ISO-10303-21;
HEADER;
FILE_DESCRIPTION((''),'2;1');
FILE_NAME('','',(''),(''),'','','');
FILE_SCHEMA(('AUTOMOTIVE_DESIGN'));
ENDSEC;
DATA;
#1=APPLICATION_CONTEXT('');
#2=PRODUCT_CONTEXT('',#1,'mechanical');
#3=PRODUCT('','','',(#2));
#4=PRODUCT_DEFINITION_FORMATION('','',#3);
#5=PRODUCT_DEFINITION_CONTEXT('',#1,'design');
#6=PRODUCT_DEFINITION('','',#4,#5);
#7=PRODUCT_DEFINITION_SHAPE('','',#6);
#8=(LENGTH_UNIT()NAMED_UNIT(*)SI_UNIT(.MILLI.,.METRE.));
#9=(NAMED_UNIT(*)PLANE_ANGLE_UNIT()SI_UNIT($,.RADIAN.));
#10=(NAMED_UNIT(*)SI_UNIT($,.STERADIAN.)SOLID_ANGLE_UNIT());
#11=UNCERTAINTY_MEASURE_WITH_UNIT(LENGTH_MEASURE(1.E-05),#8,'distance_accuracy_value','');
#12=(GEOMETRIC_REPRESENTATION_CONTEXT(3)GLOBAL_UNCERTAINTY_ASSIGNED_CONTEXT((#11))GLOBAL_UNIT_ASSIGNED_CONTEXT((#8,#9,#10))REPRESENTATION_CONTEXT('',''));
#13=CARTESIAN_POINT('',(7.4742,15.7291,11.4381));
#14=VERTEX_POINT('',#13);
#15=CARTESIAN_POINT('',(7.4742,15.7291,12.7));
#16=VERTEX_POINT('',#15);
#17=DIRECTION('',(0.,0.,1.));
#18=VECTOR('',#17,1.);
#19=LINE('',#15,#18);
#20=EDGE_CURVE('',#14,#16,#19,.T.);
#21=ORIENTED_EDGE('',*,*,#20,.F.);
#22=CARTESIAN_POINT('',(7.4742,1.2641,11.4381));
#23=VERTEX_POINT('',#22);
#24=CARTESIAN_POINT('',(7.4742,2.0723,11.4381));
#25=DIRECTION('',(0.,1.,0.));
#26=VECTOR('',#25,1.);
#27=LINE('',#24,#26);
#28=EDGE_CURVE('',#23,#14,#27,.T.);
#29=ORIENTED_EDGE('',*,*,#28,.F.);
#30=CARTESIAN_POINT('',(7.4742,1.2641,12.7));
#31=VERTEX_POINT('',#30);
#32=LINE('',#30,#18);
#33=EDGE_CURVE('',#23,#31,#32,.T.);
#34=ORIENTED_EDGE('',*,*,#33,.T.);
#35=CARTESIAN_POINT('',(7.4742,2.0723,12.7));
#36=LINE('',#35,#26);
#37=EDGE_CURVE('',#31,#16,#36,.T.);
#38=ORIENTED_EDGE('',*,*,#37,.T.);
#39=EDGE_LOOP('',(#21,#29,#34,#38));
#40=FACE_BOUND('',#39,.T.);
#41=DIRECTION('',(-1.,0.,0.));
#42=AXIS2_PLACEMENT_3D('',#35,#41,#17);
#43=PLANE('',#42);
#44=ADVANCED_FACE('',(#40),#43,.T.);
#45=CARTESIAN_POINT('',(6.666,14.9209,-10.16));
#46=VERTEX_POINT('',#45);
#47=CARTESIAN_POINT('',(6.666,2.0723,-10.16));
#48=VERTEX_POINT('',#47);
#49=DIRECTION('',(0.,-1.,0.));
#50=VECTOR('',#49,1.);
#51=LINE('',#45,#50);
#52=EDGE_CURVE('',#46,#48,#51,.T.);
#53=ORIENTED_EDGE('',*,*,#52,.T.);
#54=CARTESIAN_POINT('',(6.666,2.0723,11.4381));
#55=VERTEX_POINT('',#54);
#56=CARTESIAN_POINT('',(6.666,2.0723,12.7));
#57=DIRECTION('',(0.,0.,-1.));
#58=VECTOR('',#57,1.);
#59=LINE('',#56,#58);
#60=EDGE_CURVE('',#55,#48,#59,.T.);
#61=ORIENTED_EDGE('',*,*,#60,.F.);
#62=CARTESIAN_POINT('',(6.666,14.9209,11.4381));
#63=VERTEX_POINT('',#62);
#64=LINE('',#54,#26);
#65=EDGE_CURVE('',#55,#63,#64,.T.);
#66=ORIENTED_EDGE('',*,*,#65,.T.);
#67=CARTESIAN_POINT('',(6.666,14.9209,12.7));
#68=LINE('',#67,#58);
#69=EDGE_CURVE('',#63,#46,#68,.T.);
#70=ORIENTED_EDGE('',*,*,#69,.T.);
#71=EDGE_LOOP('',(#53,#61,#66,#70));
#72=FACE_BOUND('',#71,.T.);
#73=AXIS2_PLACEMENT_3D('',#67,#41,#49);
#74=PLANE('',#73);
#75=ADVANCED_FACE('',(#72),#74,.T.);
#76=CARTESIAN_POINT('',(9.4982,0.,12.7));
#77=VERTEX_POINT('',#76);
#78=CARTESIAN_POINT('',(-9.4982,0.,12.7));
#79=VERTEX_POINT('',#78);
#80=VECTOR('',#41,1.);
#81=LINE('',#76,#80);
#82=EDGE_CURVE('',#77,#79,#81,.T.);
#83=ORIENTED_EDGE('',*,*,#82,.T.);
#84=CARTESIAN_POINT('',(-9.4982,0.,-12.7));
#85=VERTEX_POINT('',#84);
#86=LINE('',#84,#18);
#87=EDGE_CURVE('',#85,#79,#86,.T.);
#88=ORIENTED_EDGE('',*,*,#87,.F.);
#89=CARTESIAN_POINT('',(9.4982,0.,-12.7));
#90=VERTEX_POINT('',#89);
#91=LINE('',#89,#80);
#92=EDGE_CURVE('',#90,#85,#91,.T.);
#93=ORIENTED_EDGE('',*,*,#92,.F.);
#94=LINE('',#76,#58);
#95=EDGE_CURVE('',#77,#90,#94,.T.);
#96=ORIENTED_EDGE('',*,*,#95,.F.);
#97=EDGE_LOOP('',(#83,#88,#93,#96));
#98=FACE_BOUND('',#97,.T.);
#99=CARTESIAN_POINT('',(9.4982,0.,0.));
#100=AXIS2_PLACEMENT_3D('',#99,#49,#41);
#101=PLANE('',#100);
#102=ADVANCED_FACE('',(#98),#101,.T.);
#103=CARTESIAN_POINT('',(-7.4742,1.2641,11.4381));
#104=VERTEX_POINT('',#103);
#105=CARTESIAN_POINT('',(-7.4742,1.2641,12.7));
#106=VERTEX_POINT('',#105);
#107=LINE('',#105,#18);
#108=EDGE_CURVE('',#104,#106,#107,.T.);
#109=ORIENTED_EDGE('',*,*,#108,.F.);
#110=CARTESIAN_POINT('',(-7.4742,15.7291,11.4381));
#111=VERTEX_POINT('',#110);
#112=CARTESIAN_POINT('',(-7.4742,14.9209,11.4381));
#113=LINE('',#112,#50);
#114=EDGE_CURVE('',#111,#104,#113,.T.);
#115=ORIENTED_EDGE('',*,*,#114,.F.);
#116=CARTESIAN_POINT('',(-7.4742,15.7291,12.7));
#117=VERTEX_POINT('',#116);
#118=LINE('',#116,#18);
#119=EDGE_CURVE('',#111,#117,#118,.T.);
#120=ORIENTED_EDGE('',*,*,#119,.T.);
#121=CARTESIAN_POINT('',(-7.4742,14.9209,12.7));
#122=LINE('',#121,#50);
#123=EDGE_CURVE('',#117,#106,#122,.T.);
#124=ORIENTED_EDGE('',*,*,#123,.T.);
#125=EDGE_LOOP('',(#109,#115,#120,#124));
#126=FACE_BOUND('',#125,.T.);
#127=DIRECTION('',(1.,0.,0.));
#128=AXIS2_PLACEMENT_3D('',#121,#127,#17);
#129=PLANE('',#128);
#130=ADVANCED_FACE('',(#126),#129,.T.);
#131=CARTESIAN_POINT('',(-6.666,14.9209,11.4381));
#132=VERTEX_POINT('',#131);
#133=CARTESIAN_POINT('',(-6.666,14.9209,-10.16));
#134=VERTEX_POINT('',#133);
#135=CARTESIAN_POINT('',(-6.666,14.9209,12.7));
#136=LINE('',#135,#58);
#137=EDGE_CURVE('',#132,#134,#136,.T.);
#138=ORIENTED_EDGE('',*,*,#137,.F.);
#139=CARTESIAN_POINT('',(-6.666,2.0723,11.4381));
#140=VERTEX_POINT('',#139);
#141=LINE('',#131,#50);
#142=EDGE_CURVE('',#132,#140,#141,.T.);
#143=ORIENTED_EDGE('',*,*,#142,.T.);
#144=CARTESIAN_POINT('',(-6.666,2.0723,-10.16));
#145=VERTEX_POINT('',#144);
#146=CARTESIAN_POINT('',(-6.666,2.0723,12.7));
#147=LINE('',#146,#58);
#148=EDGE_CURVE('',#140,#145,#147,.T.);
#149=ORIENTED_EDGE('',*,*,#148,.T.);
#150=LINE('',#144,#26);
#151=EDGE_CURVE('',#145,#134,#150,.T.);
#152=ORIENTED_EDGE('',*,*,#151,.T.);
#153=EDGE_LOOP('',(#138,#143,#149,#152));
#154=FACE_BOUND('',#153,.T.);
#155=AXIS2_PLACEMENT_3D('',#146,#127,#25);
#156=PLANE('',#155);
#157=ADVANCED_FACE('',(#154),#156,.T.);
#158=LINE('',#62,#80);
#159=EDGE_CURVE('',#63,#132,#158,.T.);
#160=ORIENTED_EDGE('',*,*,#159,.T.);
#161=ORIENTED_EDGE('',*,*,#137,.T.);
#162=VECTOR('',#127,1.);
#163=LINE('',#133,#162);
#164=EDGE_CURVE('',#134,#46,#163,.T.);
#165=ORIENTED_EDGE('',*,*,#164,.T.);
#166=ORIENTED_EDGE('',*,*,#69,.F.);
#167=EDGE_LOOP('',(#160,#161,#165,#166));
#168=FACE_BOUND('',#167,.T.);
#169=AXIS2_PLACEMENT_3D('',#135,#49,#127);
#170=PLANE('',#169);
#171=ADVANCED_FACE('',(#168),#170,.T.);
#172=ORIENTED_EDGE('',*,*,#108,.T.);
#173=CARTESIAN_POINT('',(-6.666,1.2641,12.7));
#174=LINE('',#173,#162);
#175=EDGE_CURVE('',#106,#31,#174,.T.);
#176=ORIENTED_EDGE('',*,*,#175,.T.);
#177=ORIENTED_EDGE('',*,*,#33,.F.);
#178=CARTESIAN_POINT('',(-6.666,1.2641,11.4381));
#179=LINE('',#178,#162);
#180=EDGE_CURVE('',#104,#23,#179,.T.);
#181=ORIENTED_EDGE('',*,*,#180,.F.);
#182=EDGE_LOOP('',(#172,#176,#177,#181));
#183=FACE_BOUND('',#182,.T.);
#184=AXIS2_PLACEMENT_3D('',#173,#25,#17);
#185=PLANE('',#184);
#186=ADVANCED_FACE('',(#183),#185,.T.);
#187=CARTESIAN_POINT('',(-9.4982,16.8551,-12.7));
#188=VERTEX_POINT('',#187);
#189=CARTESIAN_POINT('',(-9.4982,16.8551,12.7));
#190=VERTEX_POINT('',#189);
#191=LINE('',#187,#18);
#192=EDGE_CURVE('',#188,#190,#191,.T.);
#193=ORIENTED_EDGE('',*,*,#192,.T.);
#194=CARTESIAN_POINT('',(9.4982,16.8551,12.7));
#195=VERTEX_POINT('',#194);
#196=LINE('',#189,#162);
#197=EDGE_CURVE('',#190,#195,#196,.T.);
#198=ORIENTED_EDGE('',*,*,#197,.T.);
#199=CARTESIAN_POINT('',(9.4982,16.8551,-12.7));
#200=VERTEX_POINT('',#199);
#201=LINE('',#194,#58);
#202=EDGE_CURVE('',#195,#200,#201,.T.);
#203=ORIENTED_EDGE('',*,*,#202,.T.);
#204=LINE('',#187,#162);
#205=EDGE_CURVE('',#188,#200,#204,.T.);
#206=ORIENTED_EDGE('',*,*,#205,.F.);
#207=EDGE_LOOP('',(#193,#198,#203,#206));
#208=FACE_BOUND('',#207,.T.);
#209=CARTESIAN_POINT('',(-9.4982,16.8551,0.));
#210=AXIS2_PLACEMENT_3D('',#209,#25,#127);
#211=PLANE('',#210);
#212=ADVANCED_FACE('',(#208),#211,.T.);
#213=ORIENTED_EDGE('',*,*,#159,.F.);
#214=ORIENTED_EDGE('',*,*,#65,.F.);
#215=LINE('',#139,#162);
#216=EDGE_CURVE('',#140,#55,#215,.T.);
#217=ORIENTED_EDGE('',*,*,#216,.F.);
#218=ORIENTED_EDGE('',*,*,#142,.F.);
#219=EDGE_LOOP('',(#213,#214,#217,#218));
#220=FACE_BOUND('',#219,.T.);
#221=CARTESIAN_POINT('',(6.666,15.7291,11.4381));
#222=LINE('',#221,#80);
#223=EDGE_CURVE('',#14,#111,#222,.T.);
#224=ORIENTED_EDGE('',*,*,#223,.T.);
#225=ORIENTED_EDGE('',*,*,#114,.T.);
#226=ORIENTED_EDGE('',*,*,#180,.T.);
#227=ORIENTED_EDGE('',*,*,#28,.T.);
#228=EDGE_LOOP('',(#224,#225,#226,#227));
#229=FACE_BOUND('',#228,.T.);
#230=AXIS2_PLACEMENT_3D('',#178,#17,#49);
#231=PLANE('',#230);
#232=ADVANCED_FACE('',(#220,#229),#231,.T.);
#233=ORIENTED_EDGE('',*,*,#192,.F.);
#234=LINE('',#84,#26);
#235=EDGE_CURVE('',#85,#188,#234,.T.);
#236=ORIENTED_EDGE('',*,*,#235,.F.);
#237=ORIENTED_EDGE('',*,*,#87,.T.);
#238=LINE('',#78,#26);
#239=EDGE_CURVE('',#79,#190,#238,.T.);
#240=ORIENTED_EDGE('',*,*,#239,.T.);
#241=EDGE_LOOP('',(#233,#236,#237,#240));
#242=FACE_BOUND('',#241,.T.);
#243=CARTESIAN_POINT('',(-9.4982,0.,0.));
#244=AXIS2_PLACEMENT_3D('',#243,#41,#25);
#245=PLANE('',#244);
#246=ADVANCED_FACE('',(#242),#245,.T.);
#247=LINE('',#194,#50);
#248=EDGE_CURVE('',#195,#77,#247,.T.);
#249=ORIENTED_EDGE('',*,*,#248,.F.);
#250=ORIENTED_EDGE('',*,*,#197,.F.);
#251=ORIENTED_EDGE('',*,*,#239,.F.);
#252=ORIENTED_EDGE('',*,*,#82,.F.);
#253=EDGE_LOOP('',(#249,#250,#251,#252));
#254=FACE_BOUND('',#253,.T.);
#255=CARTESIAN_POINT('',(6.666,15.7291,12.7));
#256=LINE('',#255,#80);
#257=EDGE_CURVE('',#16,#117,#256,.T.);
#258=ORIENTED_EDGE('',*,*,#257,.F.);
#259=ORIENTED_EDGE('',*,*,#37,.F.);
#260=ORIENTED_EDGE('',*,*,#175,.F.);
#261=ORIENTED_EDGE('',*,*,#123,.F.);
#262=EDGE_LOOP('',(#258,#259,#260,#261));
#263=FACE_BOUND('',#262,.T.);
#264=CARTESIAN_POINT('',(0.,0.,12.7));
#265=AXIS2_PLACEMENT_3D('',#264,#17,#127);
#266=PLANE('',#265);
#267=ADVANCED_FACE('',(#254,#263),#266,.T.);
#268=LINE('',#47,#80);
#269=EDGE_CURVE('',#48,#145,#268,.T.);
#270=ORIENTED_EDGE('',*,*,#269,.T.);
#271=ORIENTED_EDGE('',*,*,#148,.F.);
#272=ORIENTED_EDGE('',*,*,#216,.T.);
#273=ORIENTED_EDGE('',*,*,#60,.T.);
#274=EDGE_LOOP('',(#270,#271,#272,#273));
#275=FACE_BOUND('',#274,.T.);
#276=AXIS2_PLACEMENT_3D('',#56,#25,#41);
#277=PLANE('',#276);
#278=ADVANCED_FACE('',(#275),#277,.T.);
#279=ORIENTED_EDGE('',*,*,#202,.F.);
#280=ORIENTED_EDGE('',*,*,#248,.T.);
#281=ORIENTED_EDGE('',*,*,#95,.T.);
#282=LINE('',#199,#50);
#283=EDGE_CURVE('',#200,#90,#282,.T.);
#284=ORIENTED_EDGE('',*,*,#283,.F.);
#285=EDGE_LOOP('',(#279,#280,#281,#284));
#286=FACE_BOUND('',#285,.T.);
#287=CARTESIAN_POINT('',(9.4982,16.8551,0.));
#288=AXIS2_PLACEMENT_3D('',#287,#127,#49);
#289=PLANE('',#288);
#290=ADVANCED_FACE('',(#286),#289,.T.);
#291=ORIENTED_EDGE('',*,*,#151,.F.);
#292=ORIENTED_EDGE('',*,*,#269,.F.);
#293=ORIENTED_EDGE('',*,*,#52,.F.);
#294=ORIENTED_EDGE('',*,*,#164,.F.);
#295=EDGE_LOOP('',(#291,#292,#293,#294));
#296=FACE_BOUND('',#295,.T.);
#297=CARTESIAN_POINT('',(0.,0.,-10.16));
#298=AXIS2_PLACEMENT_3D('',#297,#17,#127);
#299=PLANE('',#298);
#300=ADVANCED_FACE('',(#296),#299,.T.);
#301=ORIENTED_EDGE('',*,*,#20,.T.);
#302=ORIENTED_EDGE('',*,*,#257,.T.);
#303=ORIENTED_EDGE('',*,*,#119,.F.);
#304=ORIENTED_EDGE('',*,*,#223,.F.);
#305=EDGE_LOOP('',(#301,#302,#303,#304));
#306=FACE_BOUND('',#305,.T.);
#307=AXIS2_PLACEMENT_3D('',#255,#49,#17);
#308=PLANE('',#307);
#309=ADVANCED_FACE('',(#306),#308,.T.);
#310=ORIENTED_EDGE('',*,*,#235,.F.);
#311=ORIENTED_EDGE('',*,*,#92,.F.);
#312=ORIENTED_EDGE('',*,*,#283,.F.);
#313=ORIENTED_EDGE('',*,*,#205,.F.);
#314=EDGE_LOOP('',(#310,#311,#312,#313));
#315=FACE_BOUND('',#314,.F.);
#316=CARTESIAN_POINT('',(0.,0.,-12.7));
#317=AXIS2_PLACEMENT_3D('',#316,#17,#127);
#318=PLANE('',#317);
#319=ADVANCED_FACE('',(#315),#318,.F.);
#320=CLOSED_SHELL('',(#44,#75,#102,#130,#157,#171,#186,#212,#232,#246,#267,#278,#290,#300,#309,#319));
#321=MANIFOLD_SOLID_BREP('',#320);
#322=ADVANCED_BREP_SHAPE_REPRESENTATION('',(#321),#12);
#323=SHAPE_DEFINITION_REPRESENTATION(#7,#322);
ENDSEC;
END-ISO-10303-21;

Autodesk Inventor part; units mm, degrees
ref_plane "XZ Plane" through (0, 0, 0) normal (0, 1, 0) x (-1, 0, 0)
ref_plane "XY Plane" through (0, 0, 0) normal (0, 0, 1) x (1, 0, 0)
sketch "Sketch1" plane through (0, 0, 0) normal (0, 0, 1) x (1, 0, 0)
  line L0 (-9.4982, 16.8551) -> (9.4982, 16.8551)
  line L1 (9.4982, 16.8551) -> (9.4982, 0)
  line L2 (9.4982, 0) -> (-9.4982, 0)
  line L3 (-9.4982, 0) -> (-9.4982, 16.8551)
  point P0 (0, 0)
  point P1 (0, 0)
  dimension "d0" = 16.8551
  dimension "d1" = 18.9965
extrude "Extrusion1" add sketch "Sketch1" along normal mid plane 25.4
sketch "Sketch2" plane through (0, 0, 12.7) normal (0, 0, 1) x (1, 0, 0)
  line L0 (-6.666, 14.9209) -> (6.666, 14.9209)
  line L1 (6.666, 14.9209) -> (6.666, 2.0723)
  line L2 (6.666, 2.0723) -> (-6.666, 2.0723)
  line L3 (-6.666, 2.0723) -> (-6.666, 14.9209)
  line L4 (-9.4982, 0) -> (9.4982, 0) projected
  point P0 (0, 0)
  point P1 (0, 0)
  point P2 (0, 2.0723)
  dimension "d4" = 12.8485
  dimension "d5" = 13.3321
extrude "Extrusion2" cut sketch "Sketch2" against normal blind 22.86
ref_plane "Work Plane1" through (0, 0, 0) normal (1, 0, 0) x (0, 1, 0)
sketch "Sketch3" plane through (0, 0, 0) normal (1, 0, 0) x (0, 1, 0)
  line L0 (14.9209, 12.7) -> (14.9209, -10.16) projected
  line L1 (16.8551, 12.7) -> (0, 12.7) projected
  line L2 (15.7291, 12.7) -> (15.7291, 11.4381)
  line L3 (15.7291, 11.4381) -> (14.9209, 11.4381)
  line L4 (14.9209, 11.4381) -> (14.9209, 12.7)
  line L5 (15.7291, 12.7) -> (14.9209, 12.7)
  point P0 (0, 0)
  dimension "d9" = 1.2619
  dimension "d10" = 0.8082
sketch3d "3D Sketch1"
  line L0 (-6.666, 14.9209, 12.7) -> (-6.666, 2.0723, 12.7)
  line L1 (-6.666, 2.0723, 12.7) -> (6.666, 2.0723, 12.7)
  line L2 (6.666, 2.0723, 12.7) -> (6.666, 14.9209, 12.7)
  line L3 (6.666, 14.9209, 12.7) -> (-6.666, 14.9209, 12.7)
sweep "Sweep1" cut profiles "Sketch3" path "3D Sketch1"
